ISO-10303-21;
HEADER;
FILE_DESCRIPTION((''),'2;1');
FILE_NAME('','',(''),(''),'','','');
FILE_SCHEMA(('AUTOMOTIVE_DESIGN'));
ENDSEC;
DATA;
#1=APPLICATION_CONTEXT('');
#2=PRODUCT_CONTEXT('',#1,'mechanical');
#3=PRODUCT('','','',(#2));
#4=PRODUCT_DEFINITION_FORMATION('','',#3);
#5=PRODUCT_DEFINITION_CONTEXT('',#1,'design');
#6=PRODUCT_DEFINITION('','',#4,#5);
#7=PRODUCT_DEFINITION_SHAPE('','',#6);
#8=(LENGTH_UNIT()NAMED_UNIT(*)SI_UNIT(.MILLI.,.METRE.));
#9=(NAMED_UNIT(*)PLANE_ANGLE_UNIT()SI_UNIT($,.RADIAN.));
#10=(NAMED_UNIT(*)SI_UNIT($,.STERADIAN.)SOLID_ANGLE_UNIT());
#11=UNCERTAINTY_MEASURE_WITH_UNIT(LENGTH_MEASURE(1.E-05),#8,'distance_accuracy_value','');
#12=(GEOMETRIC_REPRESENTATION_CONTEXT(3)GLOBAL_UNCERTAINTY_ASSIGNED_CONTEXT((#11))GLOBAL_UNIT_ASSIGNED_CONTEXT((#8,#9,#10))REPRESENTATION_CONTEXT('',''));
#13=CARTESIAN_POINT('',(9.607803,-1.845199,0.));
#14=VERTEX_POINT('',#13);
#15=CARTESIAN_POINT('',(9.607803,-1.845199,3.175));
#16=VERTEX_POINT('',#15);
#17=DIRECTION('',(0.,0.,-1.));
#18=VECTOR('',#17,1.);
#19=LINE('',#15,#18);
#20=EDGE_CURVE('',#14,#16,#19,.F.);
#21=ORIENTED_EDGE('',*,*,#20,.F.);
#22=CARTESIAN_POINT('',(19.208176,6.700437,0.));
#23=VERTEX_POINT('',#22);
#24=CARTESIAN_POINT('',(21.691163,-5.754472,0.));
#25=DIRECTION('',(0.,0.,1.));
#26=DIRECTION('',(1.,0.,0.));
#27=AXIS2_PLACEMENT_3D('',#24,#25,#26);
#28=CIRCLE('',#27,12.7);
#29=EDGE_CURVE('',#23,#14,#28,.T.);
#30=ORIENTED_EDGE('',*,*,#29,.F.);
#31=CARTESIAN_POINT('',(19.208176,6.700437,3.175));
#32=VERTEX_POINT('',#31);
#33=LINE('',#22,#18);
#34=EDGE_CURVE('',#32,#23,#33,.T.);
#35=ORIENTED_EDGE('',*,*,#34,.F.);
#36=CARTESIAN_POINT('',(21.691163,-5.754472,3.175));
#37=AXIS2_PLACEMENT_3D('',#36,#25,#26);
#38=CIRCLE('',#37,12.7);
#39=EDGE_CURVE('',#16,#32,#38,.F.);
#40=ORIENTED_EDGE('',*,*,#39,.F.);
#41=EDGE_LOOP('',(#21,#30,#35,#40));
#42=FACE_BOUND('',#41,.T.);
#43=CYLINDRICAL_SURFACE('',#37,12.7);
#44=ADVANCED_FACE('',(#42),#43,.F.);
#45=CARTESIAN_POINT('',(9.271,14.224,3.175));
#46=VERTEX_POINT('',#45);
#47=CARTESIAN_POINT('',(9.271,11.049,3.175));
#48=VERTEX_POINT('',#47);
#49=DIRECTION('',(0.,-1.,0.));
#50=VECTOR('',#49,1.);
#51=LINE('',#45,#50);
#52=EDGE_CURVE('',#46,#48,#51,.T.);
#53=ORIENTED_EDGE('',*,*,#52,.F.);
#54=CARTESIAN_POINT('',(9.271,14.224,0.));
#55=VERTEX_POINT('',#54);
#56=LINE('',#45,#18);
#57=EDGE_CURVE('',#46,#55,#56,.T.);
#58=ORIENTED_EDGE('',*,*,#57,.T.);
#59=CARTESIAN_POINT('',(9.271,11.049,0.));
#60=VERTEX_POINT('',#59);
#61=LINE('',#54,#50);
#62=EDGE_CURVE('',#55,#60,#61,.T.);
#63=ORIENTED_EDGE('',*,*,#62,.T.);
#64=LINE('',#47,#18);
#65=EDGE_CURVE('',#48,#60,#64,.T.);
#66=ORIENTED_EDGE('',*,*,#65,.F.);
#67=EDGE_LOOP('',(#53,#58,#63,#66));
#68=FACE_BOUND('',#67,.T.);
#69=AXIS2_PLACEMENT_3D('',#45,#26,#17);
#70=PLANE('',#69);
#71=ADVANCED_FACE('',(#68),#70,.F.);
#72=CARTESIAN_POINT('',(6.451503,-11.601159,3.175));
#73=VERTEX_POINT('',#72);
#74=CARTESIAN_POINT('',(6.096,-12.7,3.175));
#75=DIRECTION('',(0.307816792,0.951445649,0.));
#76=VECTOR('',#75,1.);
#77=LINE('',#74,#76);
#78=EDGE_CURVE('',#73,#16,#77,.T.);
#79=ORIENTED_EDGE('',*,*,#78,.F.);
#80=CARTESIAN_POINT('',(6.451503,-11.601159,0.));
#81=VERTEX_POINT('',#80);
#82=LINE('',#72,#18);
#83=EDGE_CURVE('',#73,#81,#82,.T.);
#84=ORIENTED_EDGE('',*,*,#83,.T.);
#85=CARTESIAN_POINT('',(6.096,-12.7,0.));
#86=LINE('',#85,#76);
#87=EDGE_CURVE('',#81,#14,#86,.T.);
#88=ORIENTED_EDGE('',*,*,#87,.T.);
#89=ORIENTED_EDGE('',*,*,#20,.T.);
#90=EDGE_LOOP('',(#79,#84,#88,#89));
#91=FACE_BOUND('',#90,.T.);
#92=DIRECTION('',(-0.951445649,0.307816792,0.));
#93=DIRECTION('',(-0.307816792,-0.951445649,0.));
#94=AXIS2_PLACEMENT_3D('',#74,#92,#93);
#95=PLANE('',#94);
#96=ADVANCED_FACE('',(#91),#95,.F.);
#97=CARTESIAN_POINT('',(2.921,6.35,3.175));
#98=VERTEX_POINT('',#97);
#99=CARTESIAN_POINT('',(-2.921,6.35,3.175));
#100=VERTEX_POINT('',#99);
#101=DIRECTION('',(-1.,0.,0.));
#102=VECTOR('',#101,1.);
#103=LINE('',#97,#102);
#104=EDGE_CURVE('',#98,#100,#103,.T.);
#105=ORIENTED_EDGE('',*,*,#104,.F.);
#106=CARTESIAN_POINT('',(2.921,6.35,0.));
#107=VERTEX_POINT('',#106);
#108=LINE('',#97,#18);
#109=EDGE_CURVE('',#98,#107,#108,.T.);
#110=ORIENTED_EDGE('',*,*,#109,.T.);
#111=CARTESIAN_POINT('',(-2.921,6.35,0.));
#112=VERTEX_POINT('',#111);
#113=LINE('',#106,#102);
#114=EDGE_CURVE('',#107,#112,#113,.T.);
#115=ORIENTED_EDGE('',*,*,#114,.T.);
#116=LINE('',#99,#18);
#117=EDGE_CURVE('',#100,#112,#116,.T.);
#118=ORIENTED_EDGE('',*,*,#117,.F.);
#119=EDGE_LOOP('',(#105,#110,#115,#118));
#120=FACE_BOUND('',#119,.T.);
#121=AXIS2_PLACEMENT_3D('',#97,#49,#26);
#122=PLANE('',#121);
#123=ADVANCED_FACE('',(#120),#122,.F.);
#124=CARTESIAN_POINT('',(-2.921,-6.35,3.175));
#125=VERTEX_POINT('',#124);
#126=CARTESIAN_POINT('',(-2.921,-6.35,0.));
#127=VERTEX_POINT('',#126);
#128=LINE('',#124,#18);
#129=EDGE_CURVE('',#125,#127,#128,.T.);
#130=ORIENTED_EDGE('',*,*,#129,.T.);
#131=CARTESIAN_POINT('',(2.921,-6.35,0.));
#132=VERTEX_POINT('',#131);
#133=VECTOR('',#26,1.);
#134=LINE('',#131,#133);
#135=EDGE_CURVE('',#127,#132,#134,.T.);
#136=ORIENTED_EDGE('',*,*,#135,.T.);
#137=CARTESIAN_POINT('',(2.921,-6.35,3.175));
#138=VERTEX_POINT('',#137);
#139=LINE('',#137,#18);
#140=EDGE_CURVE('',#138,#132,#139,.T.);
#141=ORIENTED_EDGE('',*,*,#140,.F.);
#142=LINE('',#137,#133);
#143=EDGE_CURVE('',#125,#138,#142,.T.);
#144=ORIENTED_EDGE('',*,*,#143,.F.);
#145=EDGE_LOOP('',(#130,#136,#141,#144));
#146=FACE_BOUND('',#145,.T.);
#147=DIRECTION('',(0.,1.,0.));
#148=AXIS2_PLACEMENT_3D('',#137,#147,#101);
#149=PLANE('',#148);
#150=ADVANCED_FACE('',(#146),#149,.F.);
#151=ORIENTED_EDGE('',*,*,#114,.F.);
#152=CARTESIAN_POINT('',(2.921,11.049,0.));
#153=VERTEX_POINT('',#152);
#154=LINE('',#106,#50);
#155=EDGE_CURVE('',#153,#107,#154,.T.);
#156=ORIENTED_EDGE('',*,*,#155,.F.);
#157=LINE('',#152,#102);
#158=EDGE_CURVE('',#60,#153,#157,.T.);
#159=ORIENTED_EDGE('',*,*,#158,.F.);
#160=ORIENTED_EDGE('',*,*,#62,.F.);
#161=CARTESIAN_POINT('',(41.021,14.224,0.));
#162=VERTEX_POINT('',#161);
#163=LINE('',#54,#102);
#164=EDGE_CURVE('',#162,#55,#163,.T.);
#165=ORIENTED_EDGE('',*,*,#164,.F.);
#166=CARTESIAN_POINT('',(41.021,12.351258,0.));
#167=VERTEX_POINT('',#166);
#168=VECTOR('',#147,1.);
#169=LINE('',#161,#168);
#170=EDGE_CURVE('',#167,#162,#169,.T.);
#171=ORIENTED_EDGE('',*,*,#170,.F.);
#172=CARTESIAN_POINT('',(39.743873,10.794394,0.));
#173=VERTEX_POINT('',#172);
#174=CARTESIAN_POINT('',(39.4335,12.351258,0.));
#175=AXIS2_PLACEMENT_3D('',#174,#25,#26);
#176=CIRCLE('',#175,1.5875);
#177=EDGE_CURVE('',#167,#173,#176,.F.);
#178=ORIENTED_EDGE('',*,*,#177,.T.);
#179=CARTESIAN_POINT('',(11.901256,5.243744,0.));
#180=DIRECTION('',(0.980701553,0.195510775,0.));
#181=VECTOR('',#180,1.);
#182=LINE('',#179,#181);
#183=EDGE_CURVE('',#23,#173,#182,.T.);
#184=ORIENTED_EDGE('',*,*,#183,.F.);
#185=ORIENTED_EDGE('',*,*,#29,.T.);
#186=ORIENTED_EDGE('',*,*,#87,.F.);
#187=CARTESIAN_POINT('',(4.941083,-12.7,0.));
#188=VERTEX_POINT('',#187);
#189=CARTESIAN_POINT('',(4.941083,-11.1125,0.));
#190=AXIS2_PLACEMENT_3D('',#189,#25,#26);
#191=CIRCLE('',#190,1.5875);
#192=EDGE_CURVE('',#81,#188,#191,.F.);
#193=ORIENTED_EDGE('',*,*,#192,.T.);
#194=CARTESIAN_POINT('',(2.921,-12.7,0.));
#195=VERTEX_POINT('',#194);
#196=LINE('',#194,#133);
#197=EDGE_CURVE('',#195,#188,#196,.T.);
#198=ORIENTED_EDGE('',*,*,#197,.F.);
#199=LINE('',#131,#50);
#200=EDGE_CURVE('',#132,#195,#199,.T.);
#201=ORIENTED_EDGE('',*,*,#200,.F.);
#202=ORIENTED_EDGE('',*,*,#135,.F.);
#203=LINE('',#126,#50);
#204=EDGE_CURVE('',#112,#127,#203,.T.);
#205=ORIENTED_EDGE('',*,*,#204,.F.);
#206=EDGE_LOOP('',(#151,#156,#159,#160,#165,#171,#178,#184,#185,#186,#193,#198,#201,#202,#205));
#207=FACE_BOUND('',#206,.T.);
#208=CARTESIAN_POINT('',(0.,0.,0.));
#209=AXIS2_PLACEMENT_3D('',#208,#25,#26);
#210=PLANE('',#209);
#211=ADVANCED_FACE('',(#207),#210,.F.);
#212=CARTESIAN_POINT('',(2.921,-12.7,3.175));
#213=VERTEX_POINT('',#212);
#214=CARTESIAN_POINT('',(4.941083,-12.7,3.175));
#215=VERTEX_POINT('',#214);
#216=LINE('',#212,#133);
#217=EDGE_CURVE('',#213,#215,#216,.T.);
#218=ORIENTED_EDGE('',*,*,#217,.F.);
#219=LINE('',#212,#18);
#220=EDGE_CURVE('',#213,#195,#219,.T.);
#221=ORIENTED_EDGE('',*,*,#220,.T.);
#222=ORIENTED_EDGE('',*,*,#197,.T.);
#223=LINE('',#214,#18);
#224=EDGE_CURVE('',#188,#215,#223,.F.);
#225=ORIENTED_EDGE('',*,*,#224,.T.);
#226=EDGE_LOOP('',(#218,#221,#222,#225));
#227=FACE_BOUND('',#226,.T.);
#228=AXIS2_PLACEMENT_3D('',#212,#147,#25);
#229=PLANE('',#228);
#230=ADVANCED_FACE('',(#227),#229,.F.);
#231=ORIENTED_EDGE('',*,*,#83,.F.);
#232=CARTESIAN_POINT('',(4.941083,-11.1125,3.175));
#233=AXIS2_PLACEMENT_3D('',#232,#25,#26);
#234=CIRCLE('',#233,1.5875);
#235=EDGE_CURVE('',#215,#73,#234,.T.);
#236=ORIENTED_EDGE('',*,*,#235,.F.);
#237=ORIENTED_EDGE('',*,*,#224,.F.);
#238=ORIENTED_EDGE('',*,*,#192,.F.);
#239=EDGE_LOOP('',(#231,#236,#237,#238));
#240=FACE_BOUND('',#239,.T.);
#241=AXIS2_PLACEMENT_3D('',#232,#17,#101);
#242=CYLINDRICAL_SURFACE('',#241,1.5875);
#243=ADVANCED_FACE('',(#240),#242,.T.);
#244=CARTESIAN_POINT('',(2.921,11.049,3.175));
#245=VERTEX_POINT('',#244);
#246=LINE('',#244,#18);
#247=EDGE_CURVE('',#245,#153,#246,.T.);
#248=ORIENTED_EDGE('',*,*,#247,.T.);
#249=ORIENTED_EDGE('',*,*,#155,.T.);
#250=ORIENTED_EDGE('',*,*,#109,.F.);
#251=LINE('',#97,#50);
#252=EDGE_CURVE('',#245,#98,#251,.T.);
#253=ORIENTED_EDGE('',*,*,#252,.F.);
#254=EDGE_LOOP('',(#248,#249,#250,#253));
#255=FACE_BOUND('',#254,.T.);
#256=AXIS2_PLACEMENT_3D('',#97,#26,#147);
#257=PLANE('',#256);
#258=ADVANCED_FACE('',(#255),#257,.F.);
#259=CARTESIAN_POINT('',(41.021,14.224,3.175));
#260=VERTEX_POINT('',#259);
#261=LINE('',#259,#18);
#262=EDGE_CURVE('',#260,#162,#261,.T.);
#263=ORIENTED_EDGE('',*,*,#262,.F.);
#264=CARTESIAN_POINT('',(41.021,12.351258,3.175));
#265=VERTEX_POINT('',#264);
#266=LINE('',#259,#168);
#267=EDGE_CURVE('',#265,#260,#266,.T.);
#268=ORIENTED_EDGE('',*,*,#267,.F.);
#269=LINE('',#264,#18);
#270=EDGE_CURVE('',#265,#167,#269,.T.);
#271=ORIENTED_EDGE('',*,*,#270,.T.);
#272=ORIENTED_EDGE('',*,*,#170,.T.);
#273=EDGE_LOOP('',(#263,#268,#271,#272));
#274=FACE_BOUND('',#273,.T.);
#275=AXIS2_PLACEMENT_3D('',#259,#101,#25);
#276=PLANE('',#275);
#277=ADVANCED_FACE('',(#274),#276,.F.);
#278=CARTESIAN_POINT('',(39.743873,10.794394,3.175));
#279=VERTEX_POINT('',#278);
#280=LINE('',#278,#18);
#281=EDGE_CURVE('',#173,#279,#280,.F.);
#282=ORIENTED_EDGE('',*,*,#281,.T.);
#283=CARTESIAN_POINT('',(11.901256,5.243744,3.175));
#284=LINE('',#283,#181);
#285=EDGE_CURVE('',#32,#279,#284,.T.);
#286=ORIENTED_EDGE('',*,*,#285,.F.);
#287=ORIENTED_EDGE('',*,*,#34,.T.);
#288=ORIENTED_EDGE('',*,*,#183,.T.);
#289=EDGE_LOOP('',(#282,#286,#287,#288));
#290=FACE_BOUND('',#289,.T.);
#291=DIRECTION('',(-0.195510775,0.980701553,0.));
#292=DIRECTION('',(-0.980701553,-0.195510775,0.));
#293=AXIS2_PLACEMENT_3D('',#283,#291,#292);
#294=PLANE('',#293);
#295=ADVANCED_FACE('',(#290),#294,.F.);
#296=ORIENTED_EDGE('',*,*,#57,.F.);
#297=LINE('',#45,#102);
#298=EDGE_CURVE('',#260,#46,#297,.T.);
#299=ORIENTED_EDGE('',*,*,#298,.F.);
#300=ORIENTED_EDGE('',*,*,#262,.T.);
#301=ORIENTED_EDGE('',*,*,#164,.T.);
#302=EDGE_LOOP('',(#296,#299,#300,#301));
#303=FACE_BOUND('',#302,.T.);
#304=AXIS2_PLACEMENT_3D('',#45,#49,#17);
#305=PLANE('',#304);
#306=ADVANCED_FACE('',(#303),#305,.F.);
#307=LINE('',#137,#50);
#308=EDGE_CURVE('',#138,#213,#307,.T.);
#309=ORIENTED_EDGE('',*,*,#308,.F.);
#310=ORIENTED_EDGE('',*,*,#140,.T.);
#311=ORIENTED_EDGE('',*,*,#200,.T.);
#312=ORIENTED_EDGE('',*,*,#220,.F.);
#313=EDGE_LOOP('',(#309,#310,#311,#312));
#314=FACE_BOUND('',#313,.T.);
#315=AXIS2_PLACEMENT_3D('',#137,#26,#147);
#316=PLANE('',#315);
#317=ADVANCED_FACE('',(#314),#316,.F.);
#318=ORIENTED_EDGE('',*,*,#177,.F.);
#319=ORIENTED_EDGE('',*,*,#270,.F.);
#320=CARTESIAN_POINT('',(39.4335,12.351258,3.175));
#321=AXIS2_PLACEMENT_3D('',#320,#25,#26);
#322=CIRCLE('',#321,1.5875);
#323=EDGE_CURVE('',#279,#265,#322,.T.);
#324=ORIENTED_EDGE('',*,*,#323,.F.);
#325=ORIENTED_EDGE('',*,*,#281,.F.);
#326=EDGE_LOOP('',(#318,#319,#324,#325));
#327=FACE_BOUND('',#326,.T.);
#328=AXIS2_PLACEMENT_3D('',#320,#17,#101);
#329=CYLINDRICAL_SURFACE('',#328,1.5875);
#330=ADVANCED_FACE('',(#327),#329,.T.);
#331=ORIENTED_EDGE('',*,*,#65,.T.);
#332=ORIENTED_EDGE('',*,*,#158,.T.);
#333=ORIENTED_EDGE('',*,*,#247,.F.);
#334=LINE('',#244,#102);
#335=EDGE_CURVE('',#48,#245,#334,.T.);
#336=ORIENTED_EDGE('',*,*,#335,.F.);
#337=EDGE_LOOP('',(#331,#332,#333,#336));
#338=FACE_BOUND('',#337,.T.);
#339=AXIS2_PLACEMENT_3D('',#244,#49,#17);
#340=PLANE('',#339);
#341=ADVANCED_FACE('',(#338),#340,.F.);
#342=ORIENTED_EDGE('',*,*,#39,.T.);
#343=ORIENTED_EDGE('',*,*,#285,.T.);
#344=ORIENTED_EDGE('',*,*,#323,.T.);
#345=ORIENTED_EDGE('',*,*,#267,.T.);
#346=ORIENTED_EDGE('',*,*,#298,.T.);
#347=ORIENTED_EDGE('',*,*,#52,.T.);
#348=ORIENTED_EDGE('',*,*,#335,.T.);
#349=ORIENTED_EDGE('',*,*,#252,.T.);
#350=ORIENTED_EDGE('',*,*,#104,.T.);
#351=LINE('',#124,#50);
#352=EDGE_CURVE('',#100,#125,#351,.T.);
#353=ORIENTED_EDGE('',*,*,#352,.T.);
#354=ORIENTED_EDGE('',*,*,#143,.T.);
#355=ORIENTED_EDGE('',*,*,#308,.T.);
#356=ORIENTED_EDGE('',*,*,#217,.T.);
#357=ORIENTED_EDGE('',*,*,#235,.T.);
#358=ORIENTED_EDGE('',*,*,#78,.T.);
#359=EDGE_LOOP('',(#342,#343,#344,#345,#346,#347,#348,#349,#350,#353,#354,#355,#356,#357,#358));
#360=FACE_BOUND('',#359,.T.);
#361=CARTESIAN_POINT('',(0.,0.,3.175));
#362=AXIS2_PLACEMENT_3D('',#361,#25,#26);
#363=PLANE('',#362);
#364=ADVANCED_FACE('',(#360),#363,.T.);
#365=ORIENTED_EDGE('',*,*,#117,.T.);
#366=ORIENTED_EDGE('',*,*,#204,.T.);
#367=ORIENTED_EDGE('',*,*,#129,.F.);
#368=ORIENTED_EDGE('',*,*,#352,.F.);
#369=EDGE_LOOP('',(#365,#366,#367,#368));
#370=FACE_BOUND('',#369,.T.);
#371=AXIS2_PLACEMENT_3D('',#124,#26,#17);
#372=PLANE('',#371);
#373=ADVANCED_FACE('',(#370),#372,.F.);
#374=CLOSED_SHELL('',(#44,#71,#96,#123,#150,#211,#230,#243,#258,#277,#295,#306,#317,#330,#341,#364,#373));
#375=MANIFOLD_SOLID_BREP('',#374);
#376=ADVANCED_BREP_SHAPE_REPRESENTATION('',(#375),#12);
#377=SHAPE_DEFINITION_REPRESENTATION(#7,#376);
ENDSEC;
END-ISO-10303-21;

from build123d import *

# Parameters (mm, degrees)
BOSS_EXTRUDE1_DEPTH = 3.175
FILLET1_R           = 12.7
FILLET2_R           = 1.5875


with BuildPart() as part:
    # Sketch1 → Boss-Extrude1 (new body)
    with BuildSketch(Plane.XY):
        Polygon((2.921, 6.35), (2.921, 11.049), (9.271, 11.049), (9.271, 14.224), (41.021, 14.224), (41.021, 11.049), (11.901256121, 5.243743879), (6.096, -12.7), (2.921, -12.7), (2.921, -6.35), (-2.921, -6.35), (-2.921, 6.35), align=None)
    extrude(amount=BOSS_EXTRUDE1_DEPTH)

    # Fillet1
    fillet1_edges = [part.edges().sort_by_distance(p)[0] for p in [
        (11.901256121, 5.243743879, 1.5875),
    ]]
    fillet(fillet1_edges, radius=FILLET1_R)

    # Fillet2
    fillet2_edges = [part.edges().sort_by_distance(p)[0] for p in [
        (41.021, 11.049, 1.5875),
        (6.096, -12.7, 1.5875),
    ]]
    fillet(fillet2_edges, radius=FILLET2_R)


solid = part.part
